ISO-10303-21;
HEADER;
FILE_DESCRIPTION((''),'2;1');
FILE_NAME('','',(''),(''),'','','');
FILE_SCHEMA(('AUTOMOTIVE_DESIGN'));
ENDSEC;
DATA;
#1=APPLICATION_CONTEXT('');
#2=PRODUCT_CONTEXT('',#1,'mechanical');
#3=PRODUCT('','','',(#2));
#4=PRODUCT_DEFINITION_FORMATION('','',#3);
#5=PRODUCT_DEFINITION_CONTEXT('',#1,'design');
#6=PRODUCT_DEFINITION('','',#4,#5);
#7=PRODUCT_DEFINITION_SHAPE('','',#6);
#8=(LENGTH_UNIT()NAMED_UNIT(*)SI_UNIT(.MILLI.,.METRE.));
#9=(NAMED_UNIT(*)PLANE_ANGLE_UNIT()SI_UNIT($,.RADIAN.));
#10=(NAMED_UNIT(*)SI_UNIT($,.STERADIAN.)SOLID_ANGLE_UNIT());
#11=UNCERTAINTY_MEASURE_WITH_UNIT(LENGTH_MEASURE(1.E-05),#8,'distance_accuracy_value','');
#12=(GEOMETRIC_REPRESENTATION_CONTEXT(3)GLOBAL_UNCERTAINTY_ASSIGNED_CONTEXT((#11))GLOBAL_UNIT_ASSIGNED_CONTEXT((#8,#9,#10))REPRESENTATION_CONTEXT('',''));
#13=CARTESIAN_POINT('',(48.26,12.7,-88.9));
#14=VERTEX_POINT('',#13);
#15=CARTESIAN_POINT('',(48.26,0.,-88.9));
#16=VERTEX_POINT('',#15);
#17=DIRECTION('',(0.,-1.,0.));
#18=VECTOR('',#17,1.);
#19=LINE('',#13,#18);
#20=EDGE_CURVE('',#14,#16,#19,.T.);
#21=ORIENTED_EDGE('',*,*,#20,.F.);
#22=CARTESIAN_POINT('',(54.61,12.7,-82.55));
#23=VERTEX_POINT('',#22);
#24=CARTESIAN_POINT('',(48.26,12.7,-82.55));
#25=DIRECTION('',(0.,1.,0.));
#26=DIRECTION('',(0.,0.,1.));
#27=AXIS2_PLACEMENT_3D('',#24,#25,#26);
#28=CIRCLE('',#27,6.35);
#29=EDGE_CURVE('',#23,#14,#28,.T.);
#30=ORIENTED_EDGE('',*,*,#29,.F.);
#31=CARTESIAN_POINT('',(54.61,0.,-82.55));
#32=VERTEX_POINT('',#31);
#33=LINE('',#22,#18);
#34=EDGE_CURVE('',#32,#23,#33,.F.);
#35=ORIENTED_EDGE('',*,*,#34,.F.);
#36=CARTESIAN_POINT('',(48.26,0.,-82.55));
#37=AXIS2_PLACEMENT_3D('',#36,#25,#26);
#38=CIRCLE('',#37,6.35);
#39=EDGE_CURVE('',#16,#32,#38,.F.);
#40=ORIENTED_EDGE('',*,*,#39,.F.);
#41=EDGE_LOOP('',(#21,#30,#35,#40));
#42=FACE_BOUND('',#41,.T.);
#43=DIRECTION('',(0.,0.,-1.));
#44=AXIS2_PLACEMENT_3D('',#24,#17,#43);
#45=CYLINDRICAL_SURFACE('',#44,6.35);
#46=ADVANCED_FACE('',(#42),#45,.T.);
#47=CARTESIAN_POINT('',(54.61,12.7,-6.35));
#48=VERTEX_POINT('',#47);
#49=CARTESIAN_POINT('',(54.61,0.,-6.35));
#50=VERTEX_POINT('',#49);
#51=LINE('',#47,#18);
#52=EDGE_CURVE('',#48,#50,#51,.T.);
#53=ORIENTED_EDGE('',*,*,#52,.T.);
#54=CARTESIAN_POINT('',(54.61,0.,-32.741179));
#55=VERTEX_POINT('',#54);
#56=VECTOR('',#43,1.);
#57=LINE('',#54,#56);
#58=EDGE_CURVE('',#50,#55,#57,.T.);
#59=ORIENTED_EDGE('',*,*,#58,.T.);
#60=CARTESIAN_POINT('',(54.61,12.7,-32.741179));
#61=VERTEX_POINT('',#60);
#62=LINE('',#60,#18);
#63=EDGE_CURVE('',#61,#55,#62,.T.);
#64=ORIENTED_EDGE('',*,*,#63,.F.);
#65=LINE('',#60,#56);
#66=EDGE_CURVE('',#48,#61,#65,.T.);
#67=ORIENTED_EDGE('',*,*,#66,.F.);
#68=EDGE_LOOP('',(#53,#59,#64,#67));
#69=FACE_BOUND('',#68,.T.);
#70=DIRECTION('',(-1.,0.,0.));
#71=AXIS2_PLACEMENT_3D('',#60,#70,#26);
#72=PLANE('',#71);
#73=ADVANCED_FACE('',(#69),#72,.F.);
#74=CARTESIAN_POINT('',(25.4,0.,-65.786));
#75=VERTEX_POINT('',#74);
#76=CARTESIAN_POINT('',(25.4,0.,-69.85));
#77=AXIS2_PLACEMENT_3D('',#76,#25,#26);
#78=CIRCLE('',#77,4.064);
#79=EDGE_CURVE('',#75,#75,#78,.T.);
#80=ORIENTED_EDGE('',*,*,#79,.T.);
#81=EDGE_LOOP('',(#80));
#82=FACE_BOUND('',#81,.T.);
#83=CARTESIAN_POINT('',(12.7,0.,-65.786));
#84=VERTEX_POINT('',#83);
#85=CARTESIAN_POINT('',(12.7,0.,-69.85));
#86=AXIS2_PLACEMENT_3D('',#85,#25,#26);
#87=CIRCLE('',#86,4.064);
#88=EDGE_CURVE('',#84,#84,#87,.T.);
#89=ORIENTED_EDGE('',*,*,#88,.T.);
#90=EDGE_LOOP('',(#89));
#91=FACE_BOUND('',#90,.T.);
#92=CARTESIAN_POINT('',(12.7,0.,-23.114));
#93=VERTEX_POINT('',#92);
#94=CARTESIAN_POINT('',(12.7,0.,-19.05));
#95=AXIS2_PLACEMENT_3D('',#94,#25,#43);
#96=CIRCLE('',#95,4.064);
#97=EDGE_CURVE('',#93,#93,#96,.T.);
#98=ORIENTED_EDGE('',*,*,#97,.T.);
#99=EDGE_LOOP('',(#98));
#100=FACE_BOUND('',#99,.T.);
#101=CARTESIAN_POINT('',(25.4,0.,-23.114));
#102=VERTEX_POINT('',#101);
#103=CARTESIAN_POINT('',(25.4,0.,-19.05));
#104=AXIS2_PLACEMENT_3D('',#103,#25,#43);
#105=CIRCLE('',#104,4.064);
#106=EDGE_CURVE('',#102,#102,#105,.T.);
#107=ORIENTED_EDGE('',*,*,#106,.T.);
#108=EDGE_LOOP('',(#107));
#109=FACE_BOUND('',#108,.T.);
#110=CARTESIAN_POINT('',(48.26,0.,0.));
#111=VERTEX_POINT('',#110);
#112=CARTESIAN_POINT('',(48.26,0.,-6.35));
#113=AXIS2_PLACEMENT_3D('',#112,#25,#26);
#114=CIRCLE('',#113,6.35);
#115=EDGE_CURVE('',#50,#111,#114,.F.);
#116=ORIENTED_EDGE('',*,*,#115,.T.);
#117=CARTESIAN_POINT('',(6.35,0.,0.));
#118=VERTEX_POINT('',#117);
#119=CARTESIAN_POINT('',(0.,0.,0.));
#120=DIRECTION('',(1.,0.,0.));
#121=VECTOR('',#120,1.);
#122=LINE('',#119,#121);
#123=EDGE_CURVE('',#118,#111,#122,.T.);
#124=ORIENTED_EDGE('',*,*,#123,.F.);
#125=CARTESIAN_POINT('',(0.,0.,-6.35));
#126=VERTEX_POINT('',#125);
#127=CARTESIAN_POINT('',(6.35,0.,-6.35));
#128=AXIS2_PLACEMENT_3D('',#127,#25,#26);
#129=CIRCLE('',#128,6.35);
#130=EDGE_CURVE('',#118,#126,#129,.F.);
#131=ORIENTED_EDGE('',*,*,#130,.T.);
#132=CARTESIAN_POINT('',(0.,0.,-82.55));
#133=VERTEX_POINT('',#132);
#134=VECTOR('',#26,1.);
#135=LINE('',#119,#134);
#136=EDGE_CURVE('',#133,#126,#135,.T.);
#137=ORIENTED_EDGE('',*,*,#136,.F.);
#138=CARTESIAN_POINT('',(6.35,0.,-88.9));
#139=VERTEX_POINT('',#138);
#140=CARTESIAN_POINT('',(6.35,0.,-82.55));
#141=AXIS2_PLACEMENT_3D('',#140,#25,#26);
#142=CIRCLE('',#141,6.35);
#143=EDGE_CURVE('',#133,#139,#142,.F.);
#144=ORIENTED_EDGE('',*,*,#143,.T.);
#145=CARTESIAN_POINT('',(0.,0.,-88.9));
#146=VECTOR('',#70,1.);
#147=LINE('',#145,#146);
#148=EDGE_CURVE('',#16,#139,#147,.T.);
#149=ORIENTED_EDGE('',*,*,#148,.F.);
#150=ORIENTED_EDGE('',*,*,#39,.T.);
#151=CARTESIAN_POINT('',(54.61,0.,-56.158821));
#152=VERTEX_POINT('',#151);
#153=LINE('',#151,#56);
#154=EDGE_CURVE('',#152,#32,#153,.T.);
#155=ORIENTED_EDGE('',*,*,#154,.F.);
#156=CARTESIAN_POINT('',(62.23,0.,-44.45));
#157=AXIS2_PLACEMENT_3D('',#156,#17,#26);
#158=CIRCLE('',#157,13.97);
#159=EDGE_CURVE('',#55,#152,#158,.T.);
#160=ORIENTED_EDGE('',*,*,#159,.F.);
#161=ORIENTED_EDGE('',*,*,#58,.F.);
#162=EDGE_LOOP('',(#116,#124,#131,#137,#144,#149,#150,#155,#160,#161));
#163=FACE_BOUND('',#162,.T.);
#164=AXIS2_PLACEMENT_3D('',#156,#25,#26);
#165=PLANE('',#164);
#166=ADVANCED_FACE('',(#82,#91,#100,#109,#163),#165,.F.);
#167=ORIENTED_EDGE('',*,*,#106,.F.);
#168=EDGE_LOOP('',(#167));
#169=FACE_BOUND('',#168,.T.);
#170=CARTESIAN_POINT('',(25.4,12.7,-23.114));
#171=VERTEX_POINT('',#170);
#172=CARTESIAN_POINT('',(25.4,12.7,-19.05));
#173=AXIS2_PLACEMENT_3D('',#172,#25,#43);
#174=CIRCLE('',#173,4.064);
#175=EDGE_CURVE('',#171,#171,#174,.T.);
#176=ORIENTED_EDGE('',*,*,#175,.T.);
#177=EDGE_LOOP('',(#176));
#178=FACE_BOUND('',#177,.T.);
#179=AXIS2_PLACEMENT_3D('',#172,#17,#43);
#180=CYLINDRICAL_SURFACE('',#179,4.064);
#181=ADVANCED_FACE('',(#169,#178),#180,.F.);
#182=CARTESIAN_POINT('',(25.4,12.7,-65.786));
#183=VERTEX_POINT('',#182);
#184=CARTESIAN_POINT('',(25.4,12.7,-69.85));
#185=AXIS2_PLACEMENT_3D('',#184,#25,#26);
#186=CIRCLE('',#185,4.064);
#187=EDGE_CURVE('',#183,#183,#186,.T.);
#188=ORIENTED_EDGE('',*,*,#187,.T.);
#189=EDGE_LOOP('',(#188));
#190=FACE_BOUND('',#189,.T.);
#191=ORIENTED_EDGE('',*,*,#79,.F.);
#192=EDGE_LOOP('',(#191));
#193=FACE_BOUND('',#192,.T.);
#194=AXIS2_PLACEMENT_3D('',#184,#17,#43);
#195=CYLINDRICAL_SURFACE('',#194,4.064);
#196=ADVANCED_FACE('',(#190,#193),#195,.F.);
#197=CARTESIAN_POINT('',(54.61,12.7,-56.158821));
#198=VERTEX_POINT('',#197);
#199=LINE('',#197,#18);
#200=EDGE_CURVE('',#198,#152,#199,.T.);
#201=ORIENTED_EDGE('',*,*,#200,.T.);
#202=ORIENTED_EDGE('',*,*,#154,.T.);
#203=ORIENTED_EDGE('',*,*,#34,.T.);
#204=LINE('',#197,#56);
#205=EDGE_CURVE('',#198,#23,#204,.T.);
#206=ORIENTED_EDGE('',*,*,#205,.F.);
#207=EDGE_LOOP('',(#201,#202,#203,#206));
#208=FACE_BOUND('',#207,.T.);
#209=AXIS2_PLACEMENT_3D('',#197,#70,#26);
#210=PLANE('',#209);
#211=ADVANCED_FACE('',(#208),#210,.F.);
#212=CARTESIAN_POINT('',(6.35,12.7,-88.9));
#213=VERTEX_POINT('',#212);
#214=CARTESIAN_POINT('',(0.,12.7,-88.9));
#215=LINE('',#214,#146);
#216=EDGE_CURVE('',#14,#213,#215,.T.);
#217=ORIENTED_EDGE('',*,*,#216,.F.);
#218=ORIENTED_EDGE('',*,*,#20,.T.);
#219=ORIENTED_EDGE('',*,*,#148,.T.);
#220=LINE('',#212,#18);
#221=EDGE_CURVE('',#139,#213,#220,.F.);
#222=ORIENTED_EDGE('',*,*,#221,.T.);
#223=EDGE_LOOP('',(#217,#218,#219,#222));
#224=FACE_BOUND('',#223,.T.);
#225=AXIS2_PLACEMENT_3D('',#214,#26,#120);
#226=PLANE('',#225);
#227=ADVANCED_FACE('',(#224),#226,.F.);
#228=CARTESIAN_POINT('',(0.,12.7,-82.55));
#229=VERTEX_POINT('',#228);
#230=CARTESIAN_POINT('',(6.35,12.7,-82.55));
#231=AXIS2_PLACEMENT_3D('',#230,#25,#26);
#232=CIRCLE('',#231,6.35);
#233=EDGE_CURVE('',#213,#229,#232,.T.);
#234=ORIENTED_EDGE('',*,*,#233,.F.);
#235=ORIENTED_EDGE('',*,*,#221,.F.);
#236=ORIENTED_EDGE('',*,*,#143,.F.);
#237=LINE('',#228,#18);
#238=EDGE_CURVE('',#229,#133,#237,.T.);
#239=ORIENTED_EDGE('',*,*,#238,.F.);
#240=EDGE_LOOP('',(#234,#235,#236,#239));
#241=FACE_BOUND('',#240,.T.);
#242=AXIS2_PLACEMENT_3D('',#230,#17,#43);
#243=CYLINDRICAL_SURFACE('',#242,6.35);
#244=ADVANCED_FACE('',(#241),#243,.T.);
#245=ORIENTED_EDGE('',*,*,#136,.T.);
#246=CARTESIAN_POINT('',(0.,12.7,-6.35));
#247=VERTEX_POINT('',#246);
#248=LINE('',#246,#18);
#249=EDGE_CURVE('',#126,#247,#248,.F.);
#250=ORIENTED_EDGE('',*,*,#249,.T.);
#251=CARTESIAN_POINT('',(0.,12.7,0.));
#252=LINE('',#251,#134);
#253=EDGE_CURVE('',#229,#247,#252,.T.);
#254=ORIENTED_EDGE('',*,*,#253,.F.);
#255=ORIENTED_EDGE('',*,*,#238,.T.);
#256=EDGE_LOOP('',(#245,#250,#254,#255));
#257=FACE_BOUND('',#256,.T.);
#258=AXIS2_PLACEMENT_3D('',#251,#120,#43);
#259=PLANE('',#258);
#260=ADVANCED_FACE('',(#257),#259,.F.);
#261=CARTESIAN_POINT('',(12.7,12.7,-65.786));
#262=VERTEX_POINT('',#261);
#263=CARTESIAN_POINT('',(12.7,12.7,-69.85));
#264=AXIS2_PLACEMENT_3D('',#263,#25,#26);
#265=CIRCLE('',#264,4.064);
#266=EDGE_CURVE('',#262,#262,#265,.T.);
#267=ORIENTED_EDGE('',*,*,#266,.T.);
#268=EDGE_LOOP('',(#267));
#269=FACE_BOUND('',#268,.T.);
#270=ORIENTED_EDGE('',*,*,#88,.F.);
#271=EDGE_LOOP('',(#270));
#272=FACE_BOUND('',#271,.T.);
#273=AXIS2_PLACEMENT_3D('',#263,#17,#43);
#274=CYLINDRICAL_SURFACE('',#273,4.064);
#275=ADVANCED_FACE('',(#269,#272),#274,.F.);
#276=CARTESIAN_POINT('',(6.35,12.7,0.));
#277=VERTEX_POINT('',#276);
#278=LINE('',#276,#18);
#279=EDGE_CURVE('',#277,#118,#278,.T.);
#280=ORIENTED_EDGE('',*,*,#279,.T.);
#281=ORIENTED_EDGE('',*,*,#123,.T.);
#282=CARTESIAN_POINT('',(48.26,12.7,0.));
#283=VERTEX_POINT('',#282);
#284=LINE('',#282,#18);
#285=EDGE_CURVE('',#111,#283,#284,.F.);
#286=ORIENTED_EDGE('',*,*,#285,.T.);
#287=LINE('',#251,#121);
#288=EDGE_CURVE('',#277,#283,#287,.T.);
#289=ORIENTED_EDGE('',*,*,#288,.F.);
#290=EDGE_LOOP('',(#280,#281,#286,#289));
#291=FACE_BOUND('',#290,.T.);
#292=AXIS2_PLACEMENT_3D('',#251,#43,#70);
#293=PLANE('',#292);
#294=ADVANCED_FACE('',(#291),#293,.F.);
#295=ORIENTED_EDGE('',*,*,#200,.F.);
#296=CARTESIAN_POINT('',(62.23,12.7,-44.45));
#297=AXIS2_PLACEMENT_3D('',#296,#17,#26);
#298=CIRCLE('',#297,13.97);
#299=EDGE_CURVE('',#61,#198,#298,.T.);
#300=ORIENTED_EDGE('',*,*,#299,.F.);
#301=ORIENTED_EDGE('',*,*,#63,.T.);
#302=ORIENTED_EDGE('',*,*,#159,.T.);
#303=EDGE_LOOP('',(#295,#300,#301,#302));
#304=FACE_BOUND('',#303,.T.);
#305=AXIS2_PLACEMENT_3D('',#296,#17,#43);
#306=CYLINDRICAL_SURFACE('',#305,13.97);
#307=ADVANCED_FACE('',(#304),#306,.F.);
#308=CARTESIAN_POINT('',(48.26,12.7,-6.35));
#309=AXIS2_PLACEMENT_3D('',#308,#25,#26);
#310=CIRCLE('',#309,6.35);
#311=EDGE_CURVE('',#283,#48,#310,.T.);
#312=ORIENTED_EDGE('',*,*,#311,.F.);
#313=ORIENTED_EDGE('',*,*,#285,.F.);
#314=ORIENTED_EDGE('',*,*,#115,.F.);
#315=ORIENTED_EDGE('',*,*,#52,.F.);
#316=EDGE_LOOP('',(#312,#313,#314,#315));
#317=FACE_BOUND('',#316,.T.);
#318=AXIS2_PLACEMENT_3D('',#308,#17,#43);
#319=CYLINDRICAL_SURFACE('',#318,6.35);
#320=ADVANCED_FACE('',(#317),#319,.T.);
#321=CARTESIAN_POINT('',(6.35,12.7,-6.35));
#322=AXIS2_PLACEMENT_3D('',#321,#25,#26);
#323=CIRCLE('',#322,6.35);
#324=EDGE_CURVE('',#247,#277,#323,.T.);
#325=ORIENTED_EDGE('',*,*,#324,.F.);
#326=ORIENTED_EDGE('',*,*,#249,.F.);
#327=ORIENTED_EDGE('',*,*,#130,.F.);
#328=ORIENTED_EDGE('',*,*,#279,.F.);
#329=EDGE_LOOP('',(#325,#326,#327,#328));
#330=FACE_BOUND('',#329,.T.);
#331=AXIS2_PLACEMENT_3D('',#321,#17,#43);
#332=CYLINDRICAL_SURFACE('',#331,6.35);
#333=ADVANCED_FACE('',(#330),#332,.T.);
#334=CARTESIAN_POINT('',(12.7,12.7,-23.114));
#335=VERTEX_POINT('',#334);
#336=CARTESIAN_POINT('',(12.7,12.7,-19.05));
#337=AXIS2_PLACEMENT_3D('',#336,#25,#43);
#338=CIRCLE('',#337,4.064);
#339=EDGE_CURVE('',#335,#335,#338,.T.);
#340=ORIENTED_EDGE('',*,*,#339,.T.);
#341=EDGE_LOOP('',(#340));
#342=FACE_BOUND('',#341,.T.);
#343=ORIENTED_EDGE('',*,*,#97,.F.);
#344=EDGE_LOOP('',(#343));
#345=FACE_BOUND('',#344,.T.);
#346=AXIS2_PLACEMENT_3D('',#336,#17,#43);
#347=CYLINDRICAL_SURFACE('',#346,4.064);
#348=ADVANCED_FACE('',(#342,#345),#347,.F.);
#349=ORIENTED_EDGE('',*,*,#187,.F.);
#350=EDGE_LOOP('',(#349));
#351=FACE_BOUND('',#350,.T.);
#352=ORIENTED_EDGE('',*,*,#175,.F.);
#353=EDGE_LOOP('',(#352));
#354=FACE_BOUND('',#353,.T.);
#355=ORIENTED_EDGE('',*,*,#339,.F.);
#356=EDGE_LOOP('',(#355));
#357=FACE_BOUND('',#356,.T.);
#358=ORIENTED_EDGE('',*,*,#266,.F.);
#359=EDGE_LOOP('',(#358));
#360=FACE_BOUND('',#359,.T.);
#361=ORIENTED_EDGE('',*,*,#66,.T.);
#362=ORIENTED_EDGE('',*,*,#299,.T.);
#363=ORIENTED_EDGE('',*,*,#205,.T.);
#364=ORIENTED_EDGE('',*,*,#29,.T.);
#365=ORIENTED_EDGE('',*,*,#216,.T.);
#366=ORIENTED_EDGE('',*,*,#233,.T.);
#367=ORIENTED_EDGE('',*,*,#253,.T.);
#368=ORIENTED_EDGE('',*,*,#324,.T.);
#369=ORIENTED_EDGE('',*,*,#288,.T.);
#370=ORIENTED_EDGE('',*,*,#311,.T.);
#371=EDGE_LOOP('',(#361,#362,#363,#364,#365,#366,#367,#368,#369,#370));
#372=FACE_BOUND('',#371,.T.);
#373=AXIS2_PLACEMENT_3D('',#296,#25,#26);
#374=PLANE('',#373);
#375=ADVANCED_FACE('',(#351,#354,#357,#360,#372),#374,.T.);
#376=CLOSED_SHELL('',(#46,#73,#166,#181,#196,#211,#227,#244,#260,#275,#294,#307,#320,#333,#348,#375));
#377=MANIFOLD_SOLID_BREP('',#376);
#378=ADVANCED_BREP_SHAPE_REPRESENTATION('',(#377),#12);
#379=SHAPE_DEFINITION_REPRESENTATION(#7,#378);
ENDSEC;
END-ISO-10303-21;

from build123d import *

# Parameters (mm, degrees)
SKETCH1_R           = 4.064
BOSS_EXTRUDE1_DEPTH = 12.7
FILLET1_R           = 6.35


with BuildPart() as part:
    # Sketch1 → Boss-Extrude1 (new body)
    with BuildSketch(Plane(origin=(0, 0, 0), x_dir=(1, 0, 0), z_dir=(0, 1, 0))):
        with BuildLine():
            Line((54.61, 32.741178539), (54.61, 0))
            Line((54.61, 0), (0, 0))
            Line((0, 0), (0, 88.9))
            Line((0, 88.9), (54.61, 88.9))
            Line((54.61, 88.9), (54.61, 56.158821461))
            ThreePointArc((54.61, 56.158821461), (48.26, 44.45), (54.61, 32.741178539))
        make_face()
        with Locations(Location((12.7, 69.85, 0), (0, 0, 270))):
            Circle(SKETCH1_R, mode=Mode.SUBTRACT)
        with Locations(Location((25.4, 69.85, 0), (0, 0, 270))):
            Circle(SKETCH1_R, mode=Mode.SUBTRACT)
        with Locations(Location((25.4, 19.05, 0), (0, 0, 90))):
            Circle(SKETCH1_R, mode=Mode.SUBTRACT)
        with Locations(Location((12.7, 19.05, 0), (0, 0, 90))):
            Circle(SKETCH1_R, mode=Mode.SUBTRACT)
    extrude(amount=BOSS_EXTRUDE1_DEPTH)

    # Fillet1
    fillet1_edges = [part.edges().sort_by_distance(p)[0] for p in [
        (0, 6.35, -88.9),
        (54.61, 6.35, -88.9),
        (54.61, 6.35, 0),
        (0, 6.35, 0),
    ]]
    fillet(fillet1_edges, radius=FILLET1_R)


solid = part.part
